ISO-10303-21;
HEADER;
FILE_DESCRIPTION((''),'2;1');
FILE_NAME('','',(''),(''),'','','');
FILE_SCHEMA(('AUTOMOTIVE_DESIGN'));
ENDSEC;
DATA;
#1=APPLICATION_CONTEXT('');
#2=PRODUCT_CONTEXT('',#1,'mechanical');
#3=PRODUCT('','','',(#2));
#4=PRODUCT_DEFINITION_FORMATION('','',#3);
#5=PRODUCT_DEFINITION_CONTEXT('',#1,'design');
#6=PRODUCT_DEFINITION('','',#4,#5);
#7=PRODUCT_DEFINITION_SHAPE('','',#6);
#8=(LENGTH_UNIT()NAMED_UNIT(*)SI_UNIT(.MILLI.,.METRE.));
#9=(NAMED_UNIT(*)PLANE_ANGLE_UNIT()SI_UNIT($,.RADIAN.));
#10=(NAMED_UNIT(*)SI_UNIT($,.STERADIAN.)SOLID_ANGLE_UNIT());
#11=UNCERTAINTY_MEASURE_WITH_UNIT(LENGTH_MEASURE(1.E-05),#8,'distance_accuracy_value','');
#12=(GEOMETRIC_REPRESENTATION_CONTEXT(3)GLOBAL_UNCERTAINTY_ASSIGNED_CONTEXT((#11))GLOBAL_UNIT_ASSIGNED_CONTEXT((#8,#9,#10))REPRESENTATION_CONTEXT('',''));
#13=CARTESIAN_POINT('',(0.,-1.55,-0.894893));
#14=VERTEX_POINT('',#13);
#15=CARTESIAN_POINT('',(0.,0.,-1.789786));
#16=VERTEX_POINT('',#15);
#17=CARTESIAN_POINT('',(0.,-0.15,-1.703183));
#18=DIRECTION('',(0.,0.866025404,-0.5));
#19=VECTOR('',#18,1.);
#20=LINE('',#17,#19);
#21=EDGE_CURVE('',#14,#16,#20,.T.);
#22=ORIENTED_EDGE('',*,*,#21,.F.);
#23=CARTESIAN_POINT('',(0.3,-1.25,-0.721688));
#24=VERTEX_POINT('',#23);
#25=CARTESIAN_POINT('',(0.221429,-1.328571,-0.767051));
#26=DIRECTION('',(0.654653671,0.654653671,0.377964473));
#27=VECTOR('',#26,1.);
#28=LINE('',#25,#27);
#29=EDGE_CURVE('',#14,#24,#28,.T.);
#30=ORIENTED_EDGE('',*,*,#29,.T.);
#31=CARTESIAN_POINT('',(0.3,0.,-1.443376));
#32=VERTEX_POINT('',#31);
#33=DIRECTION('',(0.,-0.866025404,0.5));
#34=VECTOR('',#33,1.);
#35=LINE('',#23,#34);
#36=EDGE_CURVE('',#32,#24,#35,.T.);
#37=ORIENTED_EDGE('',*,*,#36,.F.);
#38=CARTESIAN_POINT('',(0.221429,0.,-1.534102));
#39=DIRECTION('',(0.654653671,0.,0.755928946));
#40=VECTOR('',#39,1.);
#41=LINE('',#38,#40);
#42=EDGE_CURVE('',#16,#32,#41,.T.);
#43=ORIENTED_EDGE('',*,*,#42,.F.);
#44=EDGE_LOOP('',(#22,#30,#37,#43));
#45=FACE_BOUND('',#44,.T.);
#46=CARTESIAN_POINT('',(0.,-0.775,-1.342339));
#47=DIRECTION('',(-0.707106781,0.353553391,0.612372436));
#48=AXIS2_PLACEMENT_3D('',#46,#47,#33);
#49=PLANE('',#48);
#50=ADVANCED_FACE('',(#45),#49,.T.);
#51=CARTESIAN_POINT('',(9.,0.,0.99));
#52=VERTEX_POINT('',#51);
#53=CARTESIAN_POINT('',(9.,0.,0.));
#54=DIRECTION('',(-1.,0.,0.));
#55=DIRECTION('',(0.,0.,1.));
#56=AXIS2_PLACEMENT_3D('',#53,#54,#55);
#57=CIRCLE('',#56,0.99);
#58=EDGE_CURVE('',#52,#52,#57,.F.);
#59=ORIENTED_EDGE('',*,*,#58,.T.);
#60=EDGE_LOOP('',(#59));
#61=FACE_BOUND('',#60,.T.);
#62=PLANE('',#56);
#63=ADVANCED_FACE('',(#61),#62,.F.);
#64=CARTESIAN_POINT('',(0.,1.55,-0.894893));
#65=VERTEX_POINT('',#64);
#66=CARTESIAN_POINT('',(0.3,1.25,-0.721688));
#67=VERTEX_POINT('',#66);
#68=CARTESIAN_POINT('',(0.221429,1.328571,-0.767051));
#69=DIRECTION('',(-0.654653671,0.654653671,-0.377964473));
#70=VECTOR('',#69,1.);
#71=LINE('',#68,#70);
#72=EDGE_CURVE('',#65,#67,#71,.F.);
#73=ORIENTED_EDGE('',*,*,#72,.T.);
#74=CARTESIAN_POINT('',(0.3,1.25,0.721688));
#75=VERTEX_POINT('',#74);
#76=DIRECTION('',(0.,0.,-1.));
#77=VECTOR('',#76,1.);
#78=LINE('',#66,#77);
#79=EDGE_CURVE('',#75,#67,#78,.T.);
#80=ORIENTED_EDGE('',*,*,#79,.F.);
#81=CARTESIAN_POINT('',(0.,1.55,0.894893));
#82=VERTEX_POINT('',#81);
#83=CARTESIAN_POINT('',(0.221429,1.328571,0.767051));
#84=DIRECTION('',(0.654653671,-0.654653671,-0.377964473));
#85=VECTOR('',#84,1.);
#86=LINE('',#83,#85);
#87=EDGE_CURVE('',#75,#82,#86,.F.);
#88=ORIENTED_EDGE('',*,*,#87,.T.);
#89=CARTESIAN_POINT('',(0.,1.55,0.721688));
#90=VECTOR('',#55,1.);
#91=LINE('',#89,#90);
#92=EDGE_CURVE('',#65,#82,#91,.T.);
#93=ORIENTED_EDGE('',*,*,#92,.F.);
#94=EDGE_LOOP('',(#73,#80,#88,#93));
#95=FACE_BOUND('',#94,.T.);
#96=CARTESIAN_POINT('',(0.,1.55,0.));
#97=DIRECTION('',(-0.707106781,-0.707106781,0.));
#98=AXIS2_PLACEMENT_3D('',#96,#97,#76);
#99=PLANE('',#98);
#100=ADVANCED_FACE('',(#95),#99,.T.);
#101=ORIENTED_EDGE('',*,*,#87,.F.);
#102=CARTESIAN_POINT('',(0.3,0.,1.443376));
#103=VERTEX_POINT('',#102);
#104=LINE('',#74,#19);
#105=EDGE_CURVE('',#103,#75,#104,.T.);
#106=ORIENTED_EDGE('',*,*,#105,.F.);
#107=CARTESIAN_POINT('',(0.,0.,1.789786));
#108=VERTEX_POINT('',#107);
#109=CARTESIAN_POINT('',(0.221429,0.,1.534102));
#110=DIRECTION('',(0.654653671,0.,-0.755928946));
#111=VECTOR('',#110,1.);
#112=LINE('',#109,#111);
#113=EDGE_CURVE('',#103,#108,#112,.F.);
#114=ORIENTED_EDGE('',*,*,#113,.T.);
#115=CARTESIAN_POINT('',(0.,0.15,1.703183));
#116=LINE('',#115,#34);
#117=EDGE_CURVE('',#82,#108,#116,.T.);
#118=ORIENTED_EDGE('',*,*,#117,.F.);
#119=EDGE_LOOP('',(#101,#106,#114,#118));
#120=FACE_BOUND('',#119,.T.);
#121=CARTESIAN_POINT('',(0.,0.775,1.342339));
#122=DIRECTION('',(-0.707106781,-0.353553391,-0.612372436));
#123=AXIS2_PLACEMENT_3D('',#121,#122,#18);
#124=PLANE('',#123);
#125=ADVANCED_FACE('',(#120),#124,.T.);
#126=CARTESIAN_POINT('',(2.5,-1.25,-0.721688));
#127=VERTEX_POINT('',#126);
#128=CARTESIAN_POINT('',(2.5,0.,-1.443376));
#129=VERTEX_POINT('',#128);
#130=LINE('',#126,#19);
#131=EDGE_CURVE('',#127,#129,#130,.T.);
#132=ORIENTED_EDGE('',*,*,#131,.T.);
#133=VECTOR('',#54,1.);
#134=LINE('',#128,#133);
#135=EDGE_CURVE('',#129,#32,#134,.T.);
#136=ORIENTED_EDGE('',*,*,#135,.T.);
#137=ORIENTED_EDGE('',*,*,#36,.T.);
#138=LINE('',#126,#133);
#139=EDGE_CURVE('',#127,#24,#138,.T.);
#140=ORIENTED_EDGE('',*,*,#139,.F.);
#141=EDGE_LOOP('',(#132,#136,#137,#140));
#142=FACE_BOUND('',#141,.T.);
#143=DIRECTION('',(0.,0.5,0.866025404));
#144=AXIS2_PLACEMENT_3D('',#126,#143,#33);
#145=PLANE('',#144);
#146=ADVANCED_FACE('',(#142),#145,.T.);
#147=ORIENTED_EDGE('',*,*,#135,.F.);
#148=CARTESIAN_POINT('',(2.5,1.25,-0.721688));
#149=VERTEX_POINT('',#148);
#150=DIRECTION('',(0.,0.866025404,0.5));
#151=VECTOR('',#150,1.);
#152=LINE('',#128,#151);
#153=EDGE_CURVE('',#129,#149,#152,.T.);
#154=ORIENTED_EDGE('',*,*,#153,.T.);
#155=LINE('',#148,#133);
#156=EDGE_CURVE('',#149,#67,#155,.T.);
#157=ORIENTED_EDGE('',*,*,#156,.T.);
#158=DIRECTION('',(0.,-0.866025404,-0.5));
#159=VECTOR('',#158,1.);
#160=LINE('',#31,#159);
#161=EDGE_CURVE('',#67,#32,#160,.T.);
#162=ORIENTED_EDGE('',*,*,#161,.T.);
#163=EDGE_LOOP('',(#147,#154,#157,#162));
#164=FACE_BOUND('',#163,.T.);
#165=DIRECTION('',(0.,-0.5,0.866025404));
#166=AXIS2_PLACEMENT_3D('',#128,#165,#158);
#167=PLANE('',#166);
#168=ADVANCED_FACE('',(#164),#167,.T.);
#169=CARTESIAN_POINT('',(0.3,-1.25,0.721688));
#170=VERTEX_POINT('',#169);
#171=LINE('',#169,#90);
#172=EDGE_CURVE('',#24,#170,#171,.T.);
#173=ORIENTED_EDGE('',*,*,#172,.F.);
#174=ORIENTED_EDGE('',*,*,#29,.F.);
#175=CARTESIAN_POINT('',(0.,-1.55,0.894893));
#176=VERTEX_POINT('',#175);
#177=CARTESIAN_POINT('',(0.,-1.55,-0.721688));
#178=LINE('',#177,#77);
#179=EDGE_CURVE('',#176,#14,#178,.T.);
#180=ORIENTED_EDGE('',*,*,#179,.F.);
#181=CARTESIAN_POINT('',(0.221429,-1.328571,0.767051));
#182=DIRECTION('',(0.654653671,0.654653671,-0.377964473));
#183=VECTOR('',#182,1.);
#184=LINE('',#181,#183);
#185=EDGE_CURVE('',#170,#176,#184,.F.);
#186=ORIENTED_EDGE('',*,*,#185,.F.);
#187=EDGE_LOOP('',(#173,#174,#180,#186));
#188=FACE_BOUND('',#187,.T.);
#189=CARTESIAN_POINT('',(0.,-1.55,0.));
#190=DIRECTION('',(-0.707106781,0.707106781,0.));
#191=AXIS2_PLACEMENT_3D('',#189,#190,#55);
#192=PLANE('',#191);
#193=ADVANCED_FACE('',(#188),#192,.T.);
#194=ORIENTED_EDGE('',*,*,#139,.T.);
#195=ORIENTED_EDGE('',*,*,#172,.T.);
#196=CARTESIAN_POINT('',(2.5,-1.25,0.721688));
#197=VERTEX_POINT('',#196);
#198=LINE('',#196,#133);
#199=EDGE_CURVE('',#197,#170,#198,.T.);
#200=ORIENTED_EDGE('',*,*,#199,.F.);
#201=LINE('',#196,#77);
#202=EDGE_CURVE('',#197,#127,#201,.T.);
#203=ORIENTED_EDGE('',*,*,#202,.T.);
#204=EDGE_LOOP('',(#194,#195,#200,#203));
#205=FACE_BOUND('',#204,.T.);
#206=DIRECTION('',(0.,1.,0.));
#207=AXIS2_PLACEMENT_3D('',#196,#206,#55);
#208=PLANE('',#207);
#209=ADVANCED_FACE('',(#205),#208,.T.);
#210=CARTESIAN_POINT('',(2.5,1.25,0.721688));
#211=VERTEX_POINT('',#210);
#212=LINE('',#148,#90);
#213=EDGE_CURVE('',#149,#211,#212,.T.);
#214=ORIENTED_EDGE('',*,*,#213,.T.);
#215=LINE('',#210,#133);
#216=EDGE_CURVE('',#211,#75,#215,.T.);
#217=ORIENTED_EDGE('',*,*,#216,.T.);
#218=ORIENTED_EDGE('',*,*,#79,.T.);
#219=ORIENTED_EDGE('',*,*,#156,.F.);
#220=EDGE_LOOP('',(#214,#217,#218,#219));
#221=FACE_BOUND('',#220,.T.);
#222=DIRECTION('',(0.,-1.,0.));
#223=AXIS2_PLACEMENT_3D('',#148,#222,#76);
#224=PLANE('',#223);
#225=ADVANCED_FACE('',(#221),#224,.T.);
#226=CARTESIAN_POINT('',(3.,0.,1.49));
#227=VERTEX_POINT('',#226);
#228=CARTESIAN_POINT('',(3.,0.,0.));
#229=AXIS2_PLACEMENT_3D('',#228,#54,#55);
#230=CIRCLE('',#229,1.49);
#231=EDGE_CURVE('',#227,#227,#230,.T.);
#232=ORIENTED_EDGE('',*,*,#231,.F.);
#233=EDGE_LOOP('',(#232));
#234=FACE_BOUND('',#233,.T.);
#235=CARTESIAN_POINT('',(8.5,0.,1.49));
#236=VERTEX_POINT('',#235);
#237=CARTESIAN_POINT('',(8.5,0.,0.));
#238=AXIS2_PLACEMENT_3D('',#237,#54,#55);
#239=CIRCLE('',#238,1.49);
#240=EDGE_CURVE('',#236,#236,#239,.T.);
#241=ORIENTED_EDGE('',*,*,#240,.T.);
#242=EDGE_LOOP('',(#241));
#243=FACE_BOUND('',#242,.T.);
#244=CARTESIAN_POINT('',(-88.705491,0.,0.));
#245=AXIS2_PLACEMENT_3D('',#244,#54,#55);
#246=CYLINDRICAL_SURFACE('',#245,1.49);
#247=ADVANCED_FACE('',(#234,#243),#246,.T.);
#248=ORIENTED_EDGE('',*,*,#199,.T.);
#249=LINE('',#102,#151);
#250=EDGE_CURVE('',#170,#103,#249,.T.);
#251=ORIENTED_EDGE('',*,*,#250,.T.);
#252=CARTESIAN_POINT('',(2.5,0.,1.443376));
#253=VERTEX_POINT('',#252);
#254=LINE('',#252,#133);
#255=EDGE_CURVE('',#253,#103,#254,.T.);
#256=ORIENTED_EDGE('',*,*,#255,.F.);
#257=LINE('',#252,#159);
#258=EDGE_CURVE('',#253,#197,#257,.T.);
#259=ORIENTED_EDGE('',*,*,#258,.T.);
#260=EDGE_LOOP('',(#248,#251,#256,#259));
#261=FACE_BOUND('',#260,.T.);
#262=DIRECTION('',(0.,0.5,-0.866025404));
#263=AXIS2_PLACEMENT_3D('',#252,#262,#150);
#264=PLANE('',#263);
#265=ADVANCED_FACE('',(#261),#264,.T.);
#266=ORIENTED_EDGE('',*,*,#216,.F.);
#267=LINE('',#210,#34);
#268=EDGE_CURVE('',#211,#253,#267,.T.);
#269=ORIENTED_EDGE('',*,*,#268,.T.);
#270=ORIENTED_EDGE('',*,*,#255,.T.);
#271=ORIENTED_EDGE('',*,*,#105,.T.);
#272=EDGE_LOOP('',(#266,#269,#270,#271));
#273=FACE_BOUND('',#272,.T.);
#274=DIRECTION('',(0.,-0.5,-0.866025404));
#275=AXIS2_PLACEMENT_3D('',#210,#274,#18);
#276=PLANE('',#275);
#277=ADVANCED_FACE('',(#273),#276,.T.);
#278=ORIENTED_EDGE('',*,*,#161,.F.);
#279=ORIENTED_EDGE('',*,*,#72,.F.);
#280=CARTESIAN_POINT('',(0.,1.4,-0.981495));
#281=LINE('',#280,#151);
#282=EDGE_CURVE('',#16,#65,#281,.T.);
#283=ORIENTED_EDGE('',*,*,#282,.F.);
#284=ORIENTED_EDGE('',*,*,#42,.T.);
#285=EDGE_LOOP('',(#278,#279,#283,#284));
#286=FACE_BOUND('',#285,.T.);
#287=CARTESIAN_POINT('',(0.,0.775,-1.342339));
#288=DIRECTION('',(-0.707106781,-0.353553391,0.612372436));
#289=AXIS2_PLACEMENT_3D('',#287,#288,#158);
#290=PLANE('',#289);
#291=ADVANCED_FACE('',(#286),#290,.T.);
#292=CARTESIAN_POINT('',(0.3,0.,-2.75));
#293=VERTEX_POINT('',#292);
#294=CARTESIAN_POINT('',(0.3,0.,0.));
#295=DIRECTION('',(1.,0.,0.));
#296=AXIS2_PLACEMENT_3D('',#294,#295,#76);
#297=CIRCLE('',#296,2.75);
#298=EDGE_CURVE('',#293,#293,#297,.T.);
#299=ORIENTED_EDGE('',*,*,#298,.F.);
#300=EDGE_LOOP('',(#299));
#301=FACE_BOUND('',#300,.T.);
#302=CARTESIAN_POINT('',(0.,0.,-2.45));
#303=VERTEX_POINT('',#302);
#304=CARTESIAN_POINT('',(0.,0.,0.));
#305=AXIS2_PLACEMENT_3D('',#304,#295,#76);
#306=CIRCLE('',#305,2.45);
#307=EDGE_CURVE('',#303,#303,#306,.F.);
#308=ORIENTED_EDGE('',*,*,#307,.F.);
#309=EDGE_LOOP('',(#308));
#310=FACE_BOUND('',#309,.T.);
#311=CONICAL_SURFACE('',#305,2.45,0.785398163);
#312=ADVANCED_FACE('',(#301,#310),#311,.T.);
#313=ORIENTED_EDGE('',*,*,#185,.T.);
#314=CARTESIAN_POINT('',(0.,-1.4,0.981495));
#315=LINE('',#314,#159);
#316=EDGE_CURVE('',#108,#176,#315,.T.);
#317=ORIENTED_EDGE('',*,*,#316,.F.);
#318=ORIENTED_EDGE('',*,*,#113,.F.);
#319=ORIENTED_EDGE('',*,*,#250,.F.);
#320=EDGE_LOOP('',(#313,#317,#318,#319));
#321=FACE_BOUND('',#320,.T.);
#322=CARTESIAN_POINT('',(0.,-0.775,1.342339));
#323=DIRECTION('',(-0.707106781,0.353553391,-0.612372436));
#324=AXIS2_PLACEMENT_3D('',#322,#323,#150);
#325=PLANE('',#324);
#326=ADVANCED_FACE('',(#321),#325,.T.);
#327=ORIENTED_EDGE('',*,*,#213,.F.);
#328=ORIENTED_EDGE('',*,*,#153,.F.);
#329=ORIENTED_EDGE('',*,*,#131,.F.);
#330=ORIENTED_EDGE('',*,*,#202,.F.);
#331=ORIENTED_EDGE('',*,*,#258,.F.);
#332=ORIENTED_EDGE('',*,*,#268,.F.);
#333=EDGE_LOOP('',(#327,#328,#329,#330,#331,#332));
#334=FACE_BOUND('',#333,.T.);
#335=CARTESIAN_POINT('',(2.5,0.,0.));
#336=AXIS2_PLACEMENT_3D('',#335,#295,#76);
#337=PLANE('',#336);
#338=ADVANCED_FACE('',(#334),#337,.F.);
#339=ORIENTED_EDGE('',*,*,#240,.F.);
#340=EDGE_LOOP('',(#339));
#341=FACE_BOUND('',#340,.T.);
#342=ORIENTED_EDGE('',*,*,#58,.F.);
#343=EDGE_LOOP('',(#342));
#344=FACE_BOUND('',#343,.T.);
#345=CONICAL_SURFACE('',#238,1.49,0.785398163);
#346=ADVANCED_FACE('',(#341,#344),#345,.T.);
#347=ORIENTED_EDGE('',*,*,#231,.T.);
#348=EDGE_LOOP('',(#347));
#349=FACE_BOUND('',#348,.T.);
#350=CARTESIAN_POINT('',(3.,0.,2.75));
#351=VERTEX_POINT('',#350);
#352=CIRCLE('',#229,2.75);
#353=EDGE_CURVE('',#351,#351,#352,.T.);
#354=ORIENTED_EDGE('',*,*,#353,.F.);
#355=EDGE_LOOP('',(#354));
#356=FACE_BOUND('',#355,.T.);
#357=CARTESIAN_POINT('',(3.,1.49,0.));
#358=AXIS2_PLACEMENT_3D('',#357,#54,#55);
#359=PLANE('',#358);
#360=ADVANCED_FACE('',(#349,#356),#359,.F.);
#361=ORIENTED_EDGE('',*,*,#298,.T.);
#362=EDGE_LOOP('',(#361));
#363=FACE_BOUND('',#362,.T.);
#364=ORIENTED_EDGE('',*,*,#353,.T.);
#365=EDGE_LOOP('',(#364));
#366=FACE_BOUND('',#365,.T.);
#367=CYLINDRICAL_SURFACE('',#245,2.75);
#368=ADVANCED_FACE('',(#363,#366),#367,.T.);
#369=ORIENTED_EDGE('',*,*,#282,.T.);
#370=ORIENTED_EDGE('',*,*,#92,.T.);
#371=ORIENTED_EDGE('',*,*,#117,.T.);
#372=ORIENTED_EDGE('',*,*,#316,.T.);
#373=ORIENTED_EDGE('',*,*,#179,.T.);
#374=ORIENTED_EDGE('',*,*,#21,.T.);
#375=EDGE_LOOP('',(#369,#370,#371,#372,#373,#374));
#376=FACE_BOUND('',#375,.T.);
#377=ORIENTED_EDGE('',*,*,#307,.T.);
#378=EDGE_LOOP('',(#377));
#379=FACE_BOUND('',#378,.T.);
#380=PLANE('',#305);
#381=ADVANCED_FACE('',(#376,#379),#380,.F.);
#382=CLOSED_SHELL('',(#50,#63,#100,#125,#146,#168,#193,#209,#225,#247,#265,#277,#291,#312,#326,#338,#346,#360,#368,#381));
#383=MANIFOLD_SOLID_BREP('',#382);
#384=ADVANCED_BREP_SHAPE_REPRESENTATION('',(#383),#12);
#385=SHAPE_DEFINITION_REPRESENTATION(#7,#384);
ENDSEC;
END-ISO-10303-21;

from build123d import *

# Parameters (mm, degrees)
CHAMFER1_SIZE      = 0.5
CHAMFER2_SIZE      = 0.3
CUT_EXTRUDE1_DEPTH = 2.5
CHAMFER3_SIZE      = 0.3


with BuildPart() as part:
    # Sketch1 → Revolve1 (revolve)
    with BuildSketch(Plane.XY):
        Polygon((0, 0), (0, 2.75), (3, 2.75), (3, 1.49), (9, 1.49), (9, 0), align=None)
    revolve(axis=Axis((-88.705490849, 0, 0), (1, 0, 0)))

    # Chamfer1
    chamfer1_edges = [part.edges().sort_by_distance(p)[0] for p in [
        (9, -1.49, 0),
    ]]
    chamfer(chamfer1_edges, length=CHAMFER1_SIZE)

    # Chamfer2
    chamfer2_edges = [part.edges().sort_by_distance(p)[0] for p in [
        (0, -2.75, 0),
    ]]
    chamfer(chamfer2_edges, length=CHAMFER2_SIZE)

    # Sketch3 → Cut-Extrude1 (cut)
    with BuildSketch(Plane(origin=(0, 0, 0), x_dir=(0, 0, -1), z_dir=(1, 0, 0))):
        Polygon((-1.443375673, 0), (-0.721687836, -1.25), (0.721687836, -1.25), (1.443375673, 0), (0.721687836, 1.25), (-0.721687836, 1.25), align=None)
    extrude(amount=CUT_EXTRUDE1_DEPTH, mode=Mode.SUBTRACT)

    # Chamfer3
    chamfer3_edges = [part.edges().sort_by_distance(p)[0] for p in [
        (0, 0.625, 1.082531755),
        (0, -0.625, 1.082531755),
        (0, -1.25, 0),
        (0, -0.625, -1.082531755),
        (0, 0.625, -1.082531755),
        (0, 1.25, 0),
    ]]
    chamfer(chamfer3_edges, length=CHAMFER3_SIZE)


solid = part.part
